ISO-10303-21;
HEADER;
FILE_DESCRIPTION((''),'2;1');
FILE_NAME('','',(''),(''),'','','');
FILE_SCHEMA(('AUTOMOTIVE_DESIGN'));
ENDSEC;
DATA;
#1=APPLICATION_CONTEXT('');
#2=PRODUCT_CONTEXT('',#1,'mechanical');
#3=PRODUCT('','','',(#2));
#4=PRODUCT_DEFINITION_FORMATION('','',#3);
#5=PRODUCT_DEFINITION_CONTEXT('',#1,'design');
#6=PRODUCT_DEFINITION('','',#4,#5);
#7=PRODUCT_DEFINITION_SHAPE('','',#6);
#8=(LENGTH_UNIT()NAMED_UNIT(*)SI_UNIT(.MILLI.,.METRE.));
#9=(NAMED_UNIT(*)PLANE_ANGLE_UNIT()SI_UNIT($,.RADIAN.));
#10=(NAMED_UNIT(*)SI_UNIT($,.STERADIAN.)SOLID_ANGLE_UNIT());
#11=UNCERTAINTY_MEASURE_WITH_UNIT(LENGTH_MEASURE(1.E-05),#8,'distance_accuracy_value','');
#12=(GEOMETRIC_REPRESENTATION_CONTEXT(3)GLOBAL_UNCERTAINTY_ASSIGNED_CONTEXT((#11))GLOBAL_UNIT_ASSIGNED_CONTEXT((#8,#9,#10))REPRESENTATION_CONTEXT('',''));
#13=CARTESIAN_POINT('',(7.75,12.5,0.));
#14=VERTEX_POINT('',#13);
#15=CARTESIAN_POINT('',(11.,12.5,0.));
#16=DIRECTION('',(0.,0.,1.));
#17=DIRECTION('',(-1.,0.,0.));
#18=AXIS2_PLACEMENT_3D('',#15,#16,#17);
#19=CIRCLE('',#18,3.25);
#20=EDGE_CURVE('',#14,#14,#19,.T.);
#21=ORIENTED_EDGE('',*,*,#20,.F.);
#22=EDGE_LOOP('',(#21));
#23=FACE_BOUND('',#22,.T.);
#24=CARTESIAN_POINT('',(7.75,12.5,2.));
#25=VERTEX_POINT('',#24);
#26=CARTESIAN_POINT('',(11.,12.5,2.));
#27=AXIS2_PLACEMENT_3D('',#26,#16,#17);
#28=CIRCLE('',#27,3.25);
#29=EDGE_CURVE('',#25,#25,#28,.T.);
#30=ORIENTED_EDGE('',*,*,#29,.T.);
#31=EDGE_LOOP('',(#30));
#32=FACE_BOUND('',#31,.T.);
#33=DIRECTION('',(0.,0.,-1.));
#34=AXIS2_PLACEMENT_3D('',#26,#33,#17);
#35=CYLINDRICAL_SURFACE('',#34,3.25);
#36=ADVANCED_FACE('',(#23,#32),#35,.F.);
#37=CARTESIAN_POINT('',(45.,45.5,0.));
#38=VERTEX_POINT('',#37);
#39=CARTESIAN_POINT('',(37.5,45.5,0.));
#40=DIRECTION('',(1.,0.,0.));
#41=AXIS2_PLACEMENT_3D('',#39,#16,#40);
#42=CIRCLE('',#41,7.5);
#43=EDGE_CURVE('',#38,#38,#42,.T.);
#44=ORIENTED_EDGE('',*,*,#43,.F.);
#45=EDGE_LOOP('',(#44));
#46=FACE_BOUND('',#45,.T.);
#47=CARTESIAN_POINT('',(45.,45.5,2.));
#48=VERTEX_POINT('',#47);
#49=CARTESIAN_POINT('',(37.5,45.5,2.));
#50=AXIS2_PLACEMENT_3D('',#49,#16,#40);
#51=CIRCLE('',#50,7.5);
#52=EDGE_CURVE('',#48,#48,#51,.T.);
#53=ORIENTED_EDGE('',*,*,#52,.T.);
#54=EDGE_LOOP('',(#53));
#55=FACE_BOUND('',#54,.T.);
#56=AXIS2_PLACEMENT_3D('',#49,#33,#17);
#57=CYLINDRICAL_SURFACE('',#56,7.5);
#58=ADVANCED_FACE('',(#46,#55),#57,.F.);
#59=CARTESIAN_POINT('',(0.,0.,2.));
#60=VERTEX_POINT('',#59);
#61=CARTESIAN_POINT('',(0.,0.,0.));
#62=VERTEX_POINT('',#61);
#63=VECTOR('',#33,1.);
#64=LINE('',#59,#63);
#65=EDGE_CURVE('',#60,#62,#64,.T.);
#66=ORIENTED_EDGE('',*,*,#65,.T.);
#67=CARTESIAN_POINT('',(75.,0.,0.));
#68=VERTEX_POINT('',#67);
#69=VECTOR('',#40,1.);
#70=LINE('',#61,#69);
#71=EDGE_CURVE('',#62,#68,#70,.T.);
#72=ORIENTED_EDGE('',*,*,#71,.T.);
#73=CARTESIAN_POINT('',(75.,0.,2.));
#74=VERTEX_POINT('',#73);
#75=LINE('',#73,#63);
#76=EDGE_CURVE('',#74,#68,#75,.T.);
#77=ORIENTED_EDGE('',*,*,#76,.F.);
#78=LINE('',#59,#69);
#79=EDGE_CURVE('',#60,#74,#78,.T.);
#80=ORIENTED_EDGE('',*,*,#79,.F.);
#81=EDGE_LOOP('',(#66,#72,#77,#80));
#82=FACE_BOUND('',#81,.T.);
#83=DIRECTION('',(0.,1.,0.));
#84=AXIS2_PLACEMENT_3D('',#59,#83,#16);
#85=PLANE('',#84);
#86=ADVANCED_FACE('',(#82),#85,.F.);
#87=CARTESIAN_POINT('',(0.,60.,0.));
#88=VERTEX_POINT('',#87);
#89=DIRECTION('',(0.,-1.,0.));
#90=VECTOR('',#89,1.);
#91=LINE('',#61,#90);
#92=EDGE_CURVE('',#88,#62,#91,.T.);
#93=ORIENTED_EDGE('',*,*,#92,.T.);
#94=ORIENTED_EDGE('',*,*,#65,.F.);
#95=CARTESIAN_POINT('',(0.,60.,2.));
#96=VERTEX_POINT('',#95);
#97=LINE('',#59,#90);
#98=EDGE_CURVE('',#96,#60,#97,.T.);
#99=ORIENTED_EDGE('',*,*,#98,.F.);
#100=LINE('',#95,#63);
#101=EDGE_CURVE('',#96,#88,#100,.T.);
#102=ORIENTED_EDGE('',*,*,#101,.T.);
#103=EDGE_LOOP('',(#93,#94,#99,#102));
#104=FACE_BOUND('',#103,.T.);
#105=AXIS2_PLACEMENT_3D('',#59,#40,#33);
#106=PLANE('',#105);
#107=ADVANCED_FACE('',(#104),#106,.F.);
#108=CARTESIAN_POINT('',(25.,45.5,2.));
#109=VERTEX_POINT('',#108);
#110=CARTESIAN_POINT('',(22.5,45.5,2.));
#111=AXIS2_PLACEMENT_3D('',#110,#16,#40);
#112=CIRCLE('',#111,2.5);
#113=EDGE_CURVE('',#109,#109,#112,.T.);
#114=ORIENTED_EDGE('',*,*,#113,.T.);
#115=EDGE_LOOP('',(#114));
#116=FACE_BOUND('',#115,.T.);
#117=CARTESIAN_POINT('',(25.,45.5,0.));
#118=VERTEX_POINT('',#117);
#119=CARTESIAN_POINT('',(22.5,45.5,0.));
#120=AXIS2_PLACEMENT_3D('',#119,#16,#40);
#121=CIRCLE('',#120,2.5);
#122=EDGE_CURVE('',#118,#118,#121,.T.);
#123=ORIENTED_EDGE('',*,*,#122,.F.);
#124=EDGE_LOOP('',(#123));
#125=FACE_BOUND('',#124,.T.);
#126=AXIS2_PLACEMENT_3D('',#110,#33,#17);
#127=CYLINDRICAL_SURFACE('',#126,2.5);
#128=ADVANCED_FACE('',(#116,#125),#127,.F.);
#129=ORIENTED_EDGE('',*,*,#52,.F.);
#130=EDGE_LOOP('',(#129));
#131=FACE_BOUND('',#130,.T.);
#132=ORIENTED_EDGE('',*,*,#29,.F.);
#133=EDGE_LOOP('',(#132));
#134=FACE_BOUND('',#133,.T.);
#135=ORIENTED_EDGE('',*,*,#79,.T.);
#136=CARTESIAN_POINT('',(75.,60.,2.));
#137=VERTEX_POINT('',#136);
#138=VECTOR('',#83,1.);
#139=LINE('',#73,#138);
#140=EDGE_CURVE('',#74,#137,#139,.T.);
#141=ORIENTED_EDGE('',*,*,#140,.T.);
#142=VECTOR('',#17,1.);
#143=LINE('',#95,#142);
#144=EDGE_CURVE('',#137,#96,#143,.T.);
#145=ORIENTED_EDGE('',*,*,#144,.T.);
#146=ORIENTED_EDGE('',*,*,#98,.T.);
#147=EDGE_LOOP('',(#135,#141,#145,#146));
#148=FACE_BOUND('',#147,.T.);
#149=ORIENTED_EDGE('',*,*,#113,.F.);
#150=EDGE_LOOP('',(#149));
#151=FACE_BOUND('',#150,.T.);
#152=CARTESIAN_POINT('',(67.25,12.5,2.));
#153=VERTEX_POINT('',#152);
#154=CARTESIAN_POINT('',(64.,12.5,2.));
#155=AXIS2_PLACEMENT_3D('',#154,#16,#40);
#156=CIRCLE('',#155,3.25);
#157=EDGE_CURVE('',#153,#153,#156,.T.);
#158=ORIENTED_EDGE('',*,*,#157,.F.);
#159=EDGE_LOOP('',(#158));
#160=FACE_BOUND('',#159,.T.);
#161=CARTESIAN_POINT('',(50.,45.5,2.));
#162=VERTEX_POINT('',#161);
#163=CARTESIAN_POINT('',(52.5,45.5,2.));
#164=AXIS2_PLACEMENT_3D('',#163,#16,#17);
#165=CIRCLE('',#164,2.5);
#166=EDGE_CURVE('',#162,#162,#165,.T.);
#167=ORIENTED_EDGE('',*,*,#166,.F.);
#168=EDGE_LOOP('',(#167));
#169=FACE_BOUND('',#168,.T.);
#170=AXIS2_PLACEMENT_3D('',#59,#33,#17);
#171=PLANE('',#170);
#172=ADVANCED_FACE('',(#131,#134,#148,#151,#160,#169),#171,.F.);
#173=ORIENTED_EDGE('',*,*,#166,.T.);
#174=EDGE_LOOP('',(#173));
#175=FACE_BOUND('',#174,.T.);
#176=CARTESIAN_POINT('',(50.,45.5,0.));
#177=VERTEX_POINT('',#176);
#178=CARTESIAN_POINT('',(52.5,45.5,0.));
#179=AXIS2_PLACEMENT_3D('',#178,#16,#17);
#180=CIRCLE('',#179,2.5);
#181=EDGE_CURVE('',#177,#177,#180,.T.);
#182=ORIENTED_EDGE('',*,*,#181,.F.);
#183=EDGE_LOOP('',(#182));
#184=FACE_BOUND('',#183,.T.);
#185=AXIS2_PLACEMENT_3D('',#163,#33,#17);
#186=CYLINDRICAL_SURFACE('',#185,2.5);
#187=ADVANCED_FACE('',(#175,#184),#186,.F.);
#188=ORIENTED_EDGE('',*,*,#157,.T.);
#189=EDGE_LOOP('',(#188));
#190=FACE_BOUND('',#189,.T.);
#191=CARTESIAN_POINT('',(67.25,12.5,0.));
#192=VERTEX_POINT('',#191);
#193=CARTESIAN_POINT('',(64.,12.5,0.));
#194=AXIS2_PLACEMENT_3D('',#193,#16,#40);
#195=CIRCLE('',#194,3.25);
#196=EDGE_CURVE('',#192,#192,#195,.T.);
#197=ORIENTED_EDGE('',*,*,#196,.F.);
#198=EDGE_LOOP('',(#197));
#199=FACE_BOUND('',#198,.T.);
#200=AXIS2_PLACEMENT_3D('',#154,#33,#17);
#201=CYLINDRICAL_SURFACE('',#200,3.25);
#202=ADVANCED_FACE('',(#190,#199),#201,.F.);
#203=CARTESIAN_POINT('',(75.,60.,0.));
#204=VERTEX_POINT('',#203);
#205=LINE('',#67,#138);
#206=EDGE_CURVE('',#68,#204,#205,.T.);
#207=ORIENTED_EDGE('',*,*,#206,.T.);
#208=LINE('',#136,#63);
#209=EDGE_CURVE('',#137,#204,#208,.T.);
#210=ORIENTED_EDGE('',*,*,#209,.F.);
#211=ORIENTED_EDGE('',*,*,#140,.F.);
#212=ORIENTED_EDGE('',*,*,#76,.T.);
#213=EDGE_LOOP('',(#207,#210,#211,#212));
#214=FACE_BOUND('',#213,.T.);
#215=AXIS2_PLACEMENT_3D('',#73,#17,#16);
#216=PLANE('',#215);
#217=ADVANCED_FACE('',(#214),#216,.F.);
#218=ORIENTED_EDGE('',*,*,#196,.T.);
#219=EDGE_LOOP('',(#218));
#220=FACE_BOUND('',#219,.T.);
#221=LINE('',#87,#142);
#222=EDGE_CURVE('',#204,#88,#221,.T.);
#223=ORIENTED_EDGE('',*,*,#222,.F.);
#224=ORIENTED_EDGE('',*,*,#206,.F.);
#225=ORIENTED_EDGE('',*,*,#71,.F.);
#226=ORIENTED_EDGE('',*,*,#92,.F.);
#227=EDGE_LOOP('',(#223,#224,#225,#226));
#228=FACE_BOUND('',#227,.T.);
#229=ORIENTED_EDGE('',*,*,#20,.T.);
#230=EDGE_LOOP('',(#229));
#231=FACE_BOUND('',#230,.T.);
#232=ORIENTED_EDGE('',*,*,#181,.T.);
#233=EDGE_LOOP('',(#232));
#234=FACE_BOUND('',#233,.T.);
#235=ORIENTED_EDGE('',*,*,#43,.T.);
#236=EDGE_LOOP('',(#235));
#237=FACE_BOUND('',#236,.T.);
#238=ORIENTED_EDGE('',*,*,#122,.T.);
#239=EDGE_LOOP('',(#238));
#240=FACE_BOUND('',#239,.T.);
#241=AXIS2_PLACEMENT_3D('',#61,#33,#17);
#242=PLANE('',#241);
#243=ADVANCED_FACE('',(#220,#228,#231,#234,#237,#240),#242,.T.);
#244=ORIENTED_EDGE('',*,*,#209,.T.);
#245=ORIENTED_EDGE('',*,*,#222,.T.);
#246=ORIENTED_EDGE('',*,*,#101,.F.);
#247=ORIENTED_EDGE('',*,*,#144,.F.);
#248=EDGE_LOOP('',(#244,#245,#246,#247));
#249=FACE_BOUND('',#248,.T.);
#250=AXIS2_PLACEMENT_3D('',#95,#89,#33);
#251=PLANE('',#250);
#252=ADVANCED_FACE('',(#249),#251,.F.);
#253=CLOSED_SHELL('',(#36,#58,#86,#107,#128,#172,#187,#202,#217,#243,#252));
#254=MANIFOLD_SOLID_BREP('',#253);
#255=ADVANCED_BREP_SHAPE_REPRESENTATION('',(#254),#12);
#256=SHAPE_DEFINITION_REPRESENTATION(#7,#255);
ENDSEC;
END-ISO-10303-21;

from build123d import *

# Parameters (mm, degrees)
SKETCH2_W           = 75
SKETCH2_H           = 60
SKETCH2_R           = 7.5
SKETCH2_R_2         = 3.25
SKETCH2_R_3         = 2.5
BOSS_EXTRUDE1_DEPTH = 2


with BuildPart() as part:
    # Sketch2 → Boss-Extrude1 (new body)
    with BuildSketch(Plane.XY):
        with Locations((37.5, 30)):
            Rectangle(SKETCH2_W, SKETCH2_H)
        with Locations((37.5, 45.5)):
            Circle(SKETCH2_R, mode=Mode.SUBTRACT)
        with Locations((64, 12.5)):
            Circle(SKETCH2_R_2, mode=Mode.SUBTRACT)
        with Locations(Location((11, 12.5, 0), (0, 0, 180))):
            Circle(SKETCH2_R_2, mode=Mode.SUBTRACT)
        with Locations((22.5, 45.5)):
            Circle(SKETCH2_R_3, mode=Mode.SUBTRACT)
        with Locations(Location((52.5, 45.5, 0), (0, 0, 180))):
            Circle(SKETCH2_R_3, mode=Mode.SUBTRACT)
    extrude(amount=BOSS_EXTRUDE1_DEPTH)


solid = part.part
